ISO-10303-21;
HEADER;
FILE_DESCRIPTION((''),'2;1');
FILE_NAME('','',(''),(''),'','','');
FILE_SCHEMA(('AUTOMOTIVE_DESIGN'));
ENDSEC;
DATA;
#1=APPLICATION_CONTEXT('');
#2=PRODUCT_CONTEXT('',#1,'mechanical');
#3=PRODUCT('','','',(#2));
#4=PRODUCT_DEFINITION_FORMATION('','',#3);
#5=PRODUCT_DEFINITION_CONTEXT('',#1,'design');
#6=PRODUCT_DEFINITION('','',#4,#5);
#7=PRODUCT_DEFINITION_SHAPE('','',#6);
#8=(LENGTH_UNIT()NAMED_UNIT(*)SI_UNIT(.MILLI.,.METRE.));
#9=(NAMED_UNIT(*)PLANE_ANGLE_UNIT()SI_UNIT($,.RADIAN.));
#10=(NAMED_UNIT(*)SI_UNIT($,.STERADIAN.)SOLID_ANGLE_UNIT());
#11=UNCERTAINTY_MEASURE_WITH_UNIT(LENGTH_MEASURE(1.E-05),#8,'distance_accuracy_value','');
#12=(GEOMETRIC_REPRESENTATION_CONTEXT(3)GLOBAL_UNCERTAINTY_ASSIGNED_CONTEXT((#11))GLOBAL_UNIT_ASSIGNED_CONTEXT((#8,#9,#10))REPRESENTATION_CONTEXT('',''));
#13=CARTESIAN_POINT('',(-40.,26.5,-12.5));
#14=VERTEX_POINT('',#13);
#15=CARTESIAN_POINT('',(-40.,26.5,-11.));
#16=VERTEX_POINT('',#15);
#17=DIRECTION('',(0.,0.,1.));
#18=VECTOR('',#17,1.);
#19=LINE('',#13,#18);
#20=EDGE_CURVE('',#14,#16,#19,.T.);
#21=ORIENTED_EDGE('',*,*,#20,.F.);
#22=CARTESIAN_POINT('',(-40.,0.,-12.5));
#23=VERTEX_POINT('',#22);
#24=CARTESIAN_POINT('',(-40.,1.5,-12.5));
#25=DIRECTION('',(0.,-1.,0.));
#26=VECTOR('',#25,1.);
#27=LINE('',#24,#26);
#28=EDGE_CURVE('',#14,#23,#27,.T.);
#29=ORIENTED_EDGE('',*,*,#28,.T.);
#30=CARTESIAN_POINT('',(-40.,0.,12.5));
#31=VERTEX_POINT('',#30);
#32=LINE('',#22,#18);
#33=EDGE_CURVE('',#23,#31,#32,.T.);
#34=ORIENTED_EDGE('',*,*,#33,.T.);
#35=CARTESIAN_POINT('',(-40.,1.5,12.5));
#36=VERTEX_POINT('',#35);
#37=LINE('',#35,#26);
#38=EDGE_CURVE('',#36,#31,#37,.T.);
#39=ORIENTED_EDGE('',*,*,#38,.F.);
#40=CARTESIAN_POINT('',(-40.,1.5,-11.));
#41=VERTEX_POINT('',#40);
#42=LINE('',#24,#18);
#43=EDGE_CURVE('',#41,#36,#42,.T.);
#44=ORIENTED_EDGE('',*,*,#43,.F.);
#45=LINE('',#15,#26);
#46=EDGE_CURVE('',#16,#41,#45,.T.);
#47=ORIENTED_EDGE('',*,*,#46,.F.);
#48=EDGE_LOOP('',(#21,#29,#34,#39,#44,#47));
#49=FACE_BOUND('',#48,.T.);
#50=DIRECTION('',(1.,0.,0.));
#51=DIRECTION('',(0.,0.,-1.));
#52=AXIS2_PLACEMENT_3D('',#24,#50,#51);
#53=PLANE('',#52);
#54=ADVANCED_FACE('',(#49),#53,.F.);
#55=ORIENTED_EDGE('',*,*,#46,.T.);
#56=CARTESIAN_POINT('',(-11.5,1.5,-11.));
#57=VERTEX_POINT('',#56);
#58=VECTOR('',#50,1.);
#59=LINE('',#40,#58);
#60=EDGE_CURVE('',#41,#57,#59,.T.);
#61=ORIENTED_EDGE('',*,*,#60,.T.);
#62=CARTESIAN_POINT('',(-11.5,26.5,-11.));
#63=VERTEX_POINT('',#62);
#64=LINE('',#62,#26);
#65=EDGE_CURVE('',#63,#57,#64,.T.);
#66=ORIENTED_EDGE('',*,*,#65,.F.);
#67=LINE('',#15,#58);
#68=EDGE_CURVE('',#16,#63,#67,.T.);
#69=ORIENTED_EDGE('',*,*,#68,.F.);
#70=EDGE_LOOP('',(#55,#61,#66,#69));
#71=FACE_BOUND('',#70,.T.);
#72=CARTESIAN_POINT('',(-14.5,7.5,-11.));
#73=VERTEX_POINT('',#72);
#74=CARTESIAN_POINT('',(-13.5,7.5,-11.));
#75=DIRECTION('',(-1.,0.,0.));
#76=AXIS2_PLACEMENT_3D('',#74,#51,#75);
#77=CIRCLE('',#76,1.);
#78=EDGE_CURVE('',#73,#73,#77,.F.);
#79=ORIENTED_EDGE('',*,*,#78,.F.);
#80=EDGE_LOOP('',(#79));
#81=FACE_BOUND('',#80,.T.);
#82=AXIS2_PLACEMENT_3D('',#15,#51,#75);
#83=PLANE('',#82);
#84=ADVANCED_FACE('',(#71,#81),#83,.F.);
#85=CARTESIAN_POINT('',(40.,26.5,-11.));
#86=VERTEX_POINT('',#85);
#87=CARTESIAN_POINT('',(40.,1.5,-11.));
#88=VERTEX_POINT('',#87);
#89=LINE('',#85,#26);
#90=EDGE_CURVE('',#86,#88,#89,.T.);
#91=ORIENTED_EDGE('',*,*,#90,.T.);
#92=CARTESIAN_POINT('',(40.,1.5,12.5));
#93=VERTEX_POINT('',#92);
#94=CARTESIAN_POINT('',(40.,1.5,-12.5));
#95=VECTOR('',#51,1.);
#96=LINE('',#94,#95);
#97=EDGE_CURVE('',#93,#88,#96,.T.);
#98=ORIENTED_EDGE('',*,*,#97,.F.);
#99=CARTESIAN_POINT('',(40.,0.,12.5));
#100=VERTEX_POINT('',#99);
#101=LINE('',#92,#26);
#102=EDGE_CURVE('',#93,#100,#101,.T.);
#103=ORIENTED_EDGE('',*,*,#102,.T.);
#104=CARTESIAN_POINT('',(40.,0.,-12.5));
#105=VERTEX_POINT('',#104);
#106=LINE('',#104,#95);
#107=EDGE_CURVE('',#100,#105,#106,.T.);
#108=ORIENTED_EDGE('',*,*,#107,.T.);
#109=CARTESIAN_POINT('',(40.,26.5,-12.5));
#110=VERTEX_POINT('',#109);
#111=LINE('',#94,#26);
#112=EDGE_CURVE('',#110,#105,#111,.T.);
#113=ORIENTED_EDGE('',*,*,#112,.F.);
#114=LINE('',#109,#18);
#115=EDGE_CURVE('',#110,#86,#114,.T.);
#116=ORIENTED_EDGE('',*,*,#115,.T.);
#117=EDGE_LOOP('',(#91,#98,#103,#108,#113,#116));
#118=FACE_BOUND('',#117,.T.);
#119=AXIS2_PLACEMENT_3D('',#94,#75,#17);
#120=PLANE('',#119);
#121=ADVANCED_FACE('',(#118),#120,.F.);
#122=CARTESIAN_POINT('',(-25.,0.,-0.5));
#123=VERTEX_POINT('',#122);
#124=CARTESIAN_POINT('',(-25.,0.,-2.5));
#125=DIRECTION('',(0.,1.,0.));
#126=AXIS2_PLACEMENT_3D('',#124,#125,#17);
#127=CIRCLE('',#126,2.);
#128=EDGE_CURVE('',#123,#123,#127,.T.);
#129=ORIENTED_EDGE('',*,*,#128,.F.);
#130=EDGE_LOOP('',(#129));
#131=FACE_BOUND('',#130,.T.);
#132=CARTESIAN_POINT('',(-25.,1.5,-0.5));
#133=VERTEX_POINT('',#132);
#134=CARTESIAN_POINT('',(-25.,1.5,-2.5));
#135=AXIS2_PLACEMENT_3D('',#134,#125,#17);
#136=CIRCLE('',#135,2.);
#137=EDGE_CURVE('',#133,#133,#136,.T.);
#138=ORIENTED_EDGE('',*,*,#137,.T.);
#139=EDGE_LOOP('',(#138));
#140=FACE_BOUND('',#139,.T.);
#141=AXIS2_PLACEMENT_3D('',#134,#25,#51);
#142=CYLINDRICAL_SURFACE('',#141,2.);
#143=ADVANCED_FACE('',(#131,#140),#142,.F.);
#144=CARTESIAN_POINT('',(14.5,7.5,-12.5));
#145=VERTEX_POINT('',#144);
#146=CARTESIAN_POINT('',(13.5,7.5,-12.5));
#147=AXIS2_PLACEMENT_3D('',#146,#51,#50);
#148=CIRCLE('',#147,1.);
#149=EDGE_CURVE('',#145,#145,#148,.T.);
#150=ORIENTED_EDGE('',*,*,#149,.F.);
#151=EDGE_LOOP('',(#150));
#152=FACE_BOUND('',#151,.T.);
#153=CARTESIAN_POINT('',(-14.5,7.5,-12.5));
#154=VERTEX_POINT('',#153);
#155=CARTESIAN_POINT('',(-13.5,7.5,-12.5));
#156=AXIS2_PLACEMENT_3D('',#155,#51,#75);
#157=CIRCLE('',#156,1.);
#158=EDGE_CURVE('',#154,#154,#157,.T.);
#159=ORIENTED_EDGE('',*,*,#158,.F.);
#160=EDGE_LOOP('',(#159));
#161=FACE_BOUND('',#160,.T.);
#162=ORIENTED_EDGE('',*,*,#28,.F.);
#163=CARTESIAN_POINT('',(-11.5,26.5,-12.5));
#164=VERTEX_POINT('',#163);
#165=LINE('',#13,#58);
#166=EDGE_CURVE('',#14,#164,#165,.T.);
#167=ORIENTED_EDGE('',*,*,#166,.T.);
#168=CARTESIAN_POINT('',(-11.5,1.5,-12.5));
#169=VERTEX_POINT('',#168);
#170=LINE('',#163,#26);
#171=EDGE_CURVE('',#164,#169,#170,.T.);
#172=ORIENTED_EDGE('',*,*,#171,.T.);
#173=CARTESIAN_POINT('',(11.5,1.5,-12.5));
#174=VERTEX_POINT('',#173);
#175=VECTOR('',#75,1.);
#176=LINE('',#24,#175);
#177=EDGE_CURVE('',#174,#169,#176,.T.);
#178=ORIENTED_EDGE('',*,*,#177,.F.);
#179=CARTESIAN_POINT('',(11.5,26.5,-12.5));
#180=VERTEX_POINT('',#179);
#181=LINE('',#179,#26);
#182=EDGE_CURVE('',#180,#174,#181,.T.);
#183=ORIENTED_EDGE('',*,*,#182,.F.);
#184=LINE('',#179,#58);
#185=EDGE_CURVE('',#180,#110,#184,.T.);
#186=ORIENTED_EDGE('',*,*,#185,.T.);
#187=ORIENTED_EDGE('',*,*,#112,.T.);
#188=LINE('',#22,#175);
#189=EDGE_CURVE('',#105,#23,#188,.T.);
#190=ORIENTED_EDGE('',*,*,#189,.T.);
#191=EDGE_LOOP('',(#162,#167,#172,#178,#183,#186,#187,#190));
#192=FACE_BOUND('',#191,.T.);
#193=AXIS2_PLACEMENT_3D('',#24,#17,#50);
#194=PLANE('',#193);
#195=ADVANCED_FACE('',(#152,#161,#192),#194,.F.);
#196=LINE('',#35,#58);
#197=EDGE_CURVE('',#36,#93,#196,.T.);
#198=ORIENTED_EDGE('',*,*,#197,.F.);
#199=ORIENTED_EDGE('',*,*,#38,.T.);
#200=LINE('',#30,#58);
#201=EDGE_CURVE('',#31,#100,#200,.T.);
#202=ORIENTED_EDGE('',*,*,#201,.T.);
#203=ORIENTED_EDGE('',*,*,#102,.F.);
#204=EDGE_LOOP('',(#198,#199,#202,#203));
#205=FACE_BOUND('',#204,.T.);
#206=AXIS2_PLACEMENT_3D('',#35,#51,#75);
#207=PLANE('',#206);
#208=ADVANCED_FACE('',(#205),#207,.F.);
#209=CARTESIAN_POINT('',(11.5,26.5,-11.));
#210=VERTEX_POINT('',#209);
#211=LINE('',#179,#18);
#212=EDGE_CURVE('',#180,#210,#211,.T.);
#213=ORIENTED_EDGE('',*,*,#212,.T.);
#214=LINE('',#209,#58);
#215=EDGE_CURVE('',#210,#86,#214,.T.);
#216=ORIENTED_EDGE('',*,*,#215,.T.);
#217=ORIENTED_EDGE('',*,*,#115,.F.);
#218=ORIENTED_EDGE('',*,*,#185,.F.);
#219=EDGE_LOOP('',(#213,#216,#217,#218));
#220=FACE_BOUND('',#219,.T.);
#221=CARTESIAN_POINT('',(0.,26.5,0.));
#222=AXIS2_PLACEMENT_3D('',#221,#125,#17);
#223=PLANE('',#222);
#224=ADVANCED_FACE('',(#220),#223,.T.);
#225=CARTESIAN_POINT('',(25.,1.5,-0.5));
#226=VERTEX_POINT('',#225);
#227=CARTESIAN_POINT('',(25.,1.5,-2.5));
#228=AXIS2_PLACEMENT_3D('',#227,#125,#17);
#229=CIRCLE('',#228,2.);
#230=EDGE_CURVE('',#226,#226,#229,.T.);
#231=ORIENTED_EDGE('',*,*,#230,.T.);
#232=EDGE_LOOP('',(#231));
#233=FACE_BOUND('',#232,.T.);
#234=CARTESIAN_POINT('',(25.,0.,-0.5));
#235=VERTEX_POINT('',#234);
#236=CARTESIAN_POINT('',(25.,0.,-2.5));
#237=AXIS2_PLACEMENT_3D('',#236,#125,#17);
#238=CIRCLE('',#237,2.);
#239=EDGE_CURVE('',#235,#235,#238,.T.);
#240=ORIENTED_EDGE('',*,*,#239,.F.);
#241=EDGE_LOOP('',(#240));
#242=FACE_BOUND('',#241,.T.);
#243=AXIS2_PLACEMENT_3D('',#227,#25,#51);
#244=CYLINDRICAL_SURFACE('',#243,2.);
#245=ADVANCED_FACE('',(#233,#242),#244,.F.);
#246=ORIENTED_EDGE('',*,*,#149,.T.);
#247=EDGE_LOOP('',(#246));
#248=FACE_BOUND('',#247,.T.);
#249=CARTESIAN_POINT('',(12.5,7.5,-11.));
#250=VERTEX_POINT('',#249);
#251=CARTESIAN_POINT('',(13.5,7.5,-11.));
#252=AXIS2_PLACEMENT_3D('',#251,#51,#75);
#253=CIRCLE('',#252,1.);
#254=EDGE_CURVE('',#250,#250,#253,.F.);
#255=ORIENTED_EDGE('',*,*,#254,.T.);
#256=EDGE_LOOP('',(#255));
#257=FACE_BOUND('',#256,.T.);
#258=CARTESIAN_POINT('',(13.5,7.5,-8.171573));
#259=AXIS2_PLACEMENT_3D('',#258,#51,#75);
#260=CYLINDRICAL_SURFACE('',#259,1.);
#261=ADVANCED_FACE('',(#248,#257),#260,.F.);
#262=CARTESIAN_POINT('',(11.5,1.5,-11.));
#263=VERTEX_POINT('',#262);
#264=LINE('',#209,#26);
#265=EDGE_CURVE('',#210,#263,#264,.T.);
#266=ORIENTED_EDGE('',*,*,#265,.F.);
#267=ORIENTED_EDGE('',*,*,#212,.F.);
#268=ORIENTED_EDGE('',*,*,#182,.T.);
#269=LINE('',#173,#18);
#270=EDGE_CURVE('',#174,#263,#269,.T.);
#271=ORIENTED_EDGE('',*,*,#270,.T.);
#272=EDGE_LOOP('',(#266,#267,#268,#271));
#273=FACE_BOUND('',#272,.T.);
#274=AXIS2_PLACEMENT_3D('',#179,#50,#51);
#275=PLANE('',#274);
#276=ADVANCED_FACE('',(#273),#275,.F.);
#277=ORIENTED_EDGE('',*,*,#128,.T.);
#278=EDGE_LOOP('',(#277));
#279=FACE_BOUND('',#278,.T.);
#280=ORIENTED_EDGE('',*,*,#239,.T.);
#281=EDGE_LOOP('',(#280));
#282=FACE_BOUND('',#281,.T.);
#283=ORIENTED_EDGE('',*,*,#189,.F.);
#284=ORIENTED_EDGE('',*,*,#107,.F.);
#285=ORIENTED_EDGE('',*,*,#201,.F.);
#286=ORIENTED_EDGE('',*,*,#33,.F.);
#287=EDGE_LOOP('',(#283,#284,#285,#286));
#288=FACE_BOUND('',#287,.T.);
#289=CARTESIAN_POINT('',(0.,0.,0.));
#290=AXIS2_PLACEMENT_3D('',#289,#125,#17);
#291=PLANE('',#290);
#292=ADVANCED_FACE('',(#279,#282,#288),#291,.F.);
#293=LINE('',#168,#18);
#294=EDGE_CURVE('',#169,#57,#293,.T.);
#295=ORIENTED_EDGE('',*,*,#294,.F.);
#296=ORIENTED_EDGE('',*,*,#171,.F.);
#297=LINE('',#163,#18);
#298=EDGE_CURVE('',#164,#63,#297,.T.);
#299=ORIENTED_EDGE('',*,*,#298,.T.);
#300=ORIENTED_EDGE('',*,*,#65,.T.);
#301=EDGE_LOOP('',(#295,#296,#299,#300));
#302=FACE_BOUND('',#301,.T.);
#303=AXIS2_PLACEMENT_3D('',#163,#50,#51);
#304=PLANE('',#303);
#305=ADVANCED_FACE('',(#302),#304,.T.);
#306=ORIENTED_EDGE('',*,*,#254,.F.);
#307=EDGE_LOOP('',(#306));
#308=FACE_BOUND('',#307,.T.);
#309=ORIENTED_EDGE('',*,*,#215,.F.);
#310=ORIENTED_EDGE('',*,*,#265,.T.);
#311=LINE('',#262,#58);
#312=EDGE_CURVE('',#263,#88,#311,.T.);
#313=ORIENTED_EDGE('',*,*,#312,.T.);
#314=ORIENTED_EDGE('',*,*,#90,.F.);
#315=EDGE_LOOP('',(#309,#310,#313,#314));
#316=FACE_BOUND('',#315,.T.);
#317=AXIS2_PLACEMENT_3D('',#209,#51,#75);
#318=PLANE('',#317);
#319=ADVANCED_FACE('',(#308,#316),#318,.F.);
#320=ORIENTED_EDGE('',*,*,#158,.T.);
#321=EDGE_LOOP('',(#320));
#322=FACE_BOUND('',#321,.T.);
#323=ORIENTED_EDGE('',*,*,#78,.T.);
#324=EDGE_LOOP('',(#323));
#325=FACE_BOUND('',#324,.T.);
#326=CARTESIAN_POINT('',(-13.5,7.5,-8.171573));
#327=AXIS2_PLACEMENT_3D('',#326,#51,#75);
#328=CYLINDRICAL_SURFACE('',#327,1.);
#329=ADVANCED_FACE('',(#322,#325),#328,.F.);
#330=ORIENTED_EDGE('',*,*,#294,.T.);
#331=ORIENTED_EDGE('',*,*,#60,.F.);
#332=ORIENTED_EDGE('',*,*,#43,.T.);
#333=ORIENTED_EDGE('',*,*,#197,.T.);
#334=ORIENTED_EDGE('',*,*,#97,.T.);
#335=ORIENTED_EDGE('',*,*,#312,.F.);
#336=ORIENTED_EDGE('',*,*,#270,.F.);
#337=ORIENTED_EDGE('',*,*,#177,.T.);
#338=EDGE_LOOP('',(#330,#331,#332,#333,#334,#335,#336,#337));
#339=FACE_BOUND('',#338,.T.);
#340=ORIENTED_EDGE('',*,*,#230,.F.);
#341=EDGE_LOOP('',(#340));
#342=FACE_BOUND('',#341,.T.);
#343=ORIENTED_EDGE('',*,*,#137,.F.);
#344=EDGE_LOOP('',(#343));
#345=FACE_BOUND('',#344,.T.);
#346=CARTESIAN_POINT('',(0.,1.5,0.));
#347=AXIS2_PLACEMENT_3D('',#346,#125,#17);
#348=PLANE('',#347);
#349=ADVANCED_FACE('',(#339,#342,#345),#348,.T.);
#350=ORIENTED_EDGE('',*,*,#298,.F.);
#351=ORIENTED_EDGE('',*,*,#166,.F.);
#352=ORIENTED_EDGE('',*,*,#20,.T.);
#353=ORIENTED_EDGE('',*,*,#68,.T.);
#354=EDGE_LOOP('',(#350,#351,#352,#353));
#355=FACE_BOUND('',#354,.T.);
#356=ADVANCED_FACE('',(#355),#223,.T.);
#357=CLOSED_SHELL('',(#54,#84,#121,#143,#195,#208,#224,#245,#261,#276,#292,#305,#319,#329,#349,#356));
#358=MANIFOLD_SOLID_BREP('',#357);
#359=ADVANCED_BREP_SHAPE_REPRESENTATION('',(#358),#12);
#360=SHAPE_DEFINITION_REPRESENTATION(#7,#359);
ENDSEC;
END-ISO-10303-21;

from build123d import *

# Parameters (mm, degrees)
SKETCH1_W           = 80
SKETCH1_H           = 25
SKETCH1_R           = 2
BOSS_EXTRUDE1_DEPTH = 1.5
SKETCH2_W           = 28.5
SKETCH2_H           = 1.5
BOSS_EXTRUDE2_DEPTH = 25
SKETCH3_R           = 1
CUT_EXTRUDE1_DEPTH  = 1.5


with BuildPart() as part:
    # Sketch1 → Boss-Extrude1 (new body)
    with BuildSketch(Plane(origin=(0, 0, 0), x_dir=(1, 0, 0), z_dir=(0, 1, 0))):
        Rectangle(SKETCH1_W, SKETCH1_H)
        with Locations((-25, 2.5)):
            Circle(SKETCH1_R, mode=Mode.SUBTRACT)
        with Locations((25, 2.5)):
            Circle(SKETCH1_R, mode=Mode.SUBTRACT)
    extrude(amount=BOSS_EXTRUDE1_DEPTH)

    # Sketch2 → Boss-Extrude2 (add)
    with BuildSketch(Plane(origin=(0, 1.5, 0), x_dir=(1, 0, 0), z_dir=(0, 1, 0))):
        with Locations((-25.75, 11.75)):
            Rectangle(SKETCH2_W, SKETCH2_H)
        with Locations((25.75, 11.75)):
            Rectangle(SKETCH2_W, SKETCH2_H)
    extrude(amount=BOSS_EXTRUDE2_DEPTH)

    # Sketch3 → Cut-Extrude1 (cut)
    with BuildSketch(Plane(origin=(0, 0, -12.5), x_dir=(-1, 0, 0), z_dir=(0, 0, -1))):
        with Locations((13.5, 7.5)):
            Circle(SKETCH3_R)
        with Locations((-13.5, 7.5)):
            Circle(SKETCH3_R)
    extrude(amount=-CUT_EXTRUDE1_DEPTH, mode=Mode.SUBTRACT)


solid = part.part
